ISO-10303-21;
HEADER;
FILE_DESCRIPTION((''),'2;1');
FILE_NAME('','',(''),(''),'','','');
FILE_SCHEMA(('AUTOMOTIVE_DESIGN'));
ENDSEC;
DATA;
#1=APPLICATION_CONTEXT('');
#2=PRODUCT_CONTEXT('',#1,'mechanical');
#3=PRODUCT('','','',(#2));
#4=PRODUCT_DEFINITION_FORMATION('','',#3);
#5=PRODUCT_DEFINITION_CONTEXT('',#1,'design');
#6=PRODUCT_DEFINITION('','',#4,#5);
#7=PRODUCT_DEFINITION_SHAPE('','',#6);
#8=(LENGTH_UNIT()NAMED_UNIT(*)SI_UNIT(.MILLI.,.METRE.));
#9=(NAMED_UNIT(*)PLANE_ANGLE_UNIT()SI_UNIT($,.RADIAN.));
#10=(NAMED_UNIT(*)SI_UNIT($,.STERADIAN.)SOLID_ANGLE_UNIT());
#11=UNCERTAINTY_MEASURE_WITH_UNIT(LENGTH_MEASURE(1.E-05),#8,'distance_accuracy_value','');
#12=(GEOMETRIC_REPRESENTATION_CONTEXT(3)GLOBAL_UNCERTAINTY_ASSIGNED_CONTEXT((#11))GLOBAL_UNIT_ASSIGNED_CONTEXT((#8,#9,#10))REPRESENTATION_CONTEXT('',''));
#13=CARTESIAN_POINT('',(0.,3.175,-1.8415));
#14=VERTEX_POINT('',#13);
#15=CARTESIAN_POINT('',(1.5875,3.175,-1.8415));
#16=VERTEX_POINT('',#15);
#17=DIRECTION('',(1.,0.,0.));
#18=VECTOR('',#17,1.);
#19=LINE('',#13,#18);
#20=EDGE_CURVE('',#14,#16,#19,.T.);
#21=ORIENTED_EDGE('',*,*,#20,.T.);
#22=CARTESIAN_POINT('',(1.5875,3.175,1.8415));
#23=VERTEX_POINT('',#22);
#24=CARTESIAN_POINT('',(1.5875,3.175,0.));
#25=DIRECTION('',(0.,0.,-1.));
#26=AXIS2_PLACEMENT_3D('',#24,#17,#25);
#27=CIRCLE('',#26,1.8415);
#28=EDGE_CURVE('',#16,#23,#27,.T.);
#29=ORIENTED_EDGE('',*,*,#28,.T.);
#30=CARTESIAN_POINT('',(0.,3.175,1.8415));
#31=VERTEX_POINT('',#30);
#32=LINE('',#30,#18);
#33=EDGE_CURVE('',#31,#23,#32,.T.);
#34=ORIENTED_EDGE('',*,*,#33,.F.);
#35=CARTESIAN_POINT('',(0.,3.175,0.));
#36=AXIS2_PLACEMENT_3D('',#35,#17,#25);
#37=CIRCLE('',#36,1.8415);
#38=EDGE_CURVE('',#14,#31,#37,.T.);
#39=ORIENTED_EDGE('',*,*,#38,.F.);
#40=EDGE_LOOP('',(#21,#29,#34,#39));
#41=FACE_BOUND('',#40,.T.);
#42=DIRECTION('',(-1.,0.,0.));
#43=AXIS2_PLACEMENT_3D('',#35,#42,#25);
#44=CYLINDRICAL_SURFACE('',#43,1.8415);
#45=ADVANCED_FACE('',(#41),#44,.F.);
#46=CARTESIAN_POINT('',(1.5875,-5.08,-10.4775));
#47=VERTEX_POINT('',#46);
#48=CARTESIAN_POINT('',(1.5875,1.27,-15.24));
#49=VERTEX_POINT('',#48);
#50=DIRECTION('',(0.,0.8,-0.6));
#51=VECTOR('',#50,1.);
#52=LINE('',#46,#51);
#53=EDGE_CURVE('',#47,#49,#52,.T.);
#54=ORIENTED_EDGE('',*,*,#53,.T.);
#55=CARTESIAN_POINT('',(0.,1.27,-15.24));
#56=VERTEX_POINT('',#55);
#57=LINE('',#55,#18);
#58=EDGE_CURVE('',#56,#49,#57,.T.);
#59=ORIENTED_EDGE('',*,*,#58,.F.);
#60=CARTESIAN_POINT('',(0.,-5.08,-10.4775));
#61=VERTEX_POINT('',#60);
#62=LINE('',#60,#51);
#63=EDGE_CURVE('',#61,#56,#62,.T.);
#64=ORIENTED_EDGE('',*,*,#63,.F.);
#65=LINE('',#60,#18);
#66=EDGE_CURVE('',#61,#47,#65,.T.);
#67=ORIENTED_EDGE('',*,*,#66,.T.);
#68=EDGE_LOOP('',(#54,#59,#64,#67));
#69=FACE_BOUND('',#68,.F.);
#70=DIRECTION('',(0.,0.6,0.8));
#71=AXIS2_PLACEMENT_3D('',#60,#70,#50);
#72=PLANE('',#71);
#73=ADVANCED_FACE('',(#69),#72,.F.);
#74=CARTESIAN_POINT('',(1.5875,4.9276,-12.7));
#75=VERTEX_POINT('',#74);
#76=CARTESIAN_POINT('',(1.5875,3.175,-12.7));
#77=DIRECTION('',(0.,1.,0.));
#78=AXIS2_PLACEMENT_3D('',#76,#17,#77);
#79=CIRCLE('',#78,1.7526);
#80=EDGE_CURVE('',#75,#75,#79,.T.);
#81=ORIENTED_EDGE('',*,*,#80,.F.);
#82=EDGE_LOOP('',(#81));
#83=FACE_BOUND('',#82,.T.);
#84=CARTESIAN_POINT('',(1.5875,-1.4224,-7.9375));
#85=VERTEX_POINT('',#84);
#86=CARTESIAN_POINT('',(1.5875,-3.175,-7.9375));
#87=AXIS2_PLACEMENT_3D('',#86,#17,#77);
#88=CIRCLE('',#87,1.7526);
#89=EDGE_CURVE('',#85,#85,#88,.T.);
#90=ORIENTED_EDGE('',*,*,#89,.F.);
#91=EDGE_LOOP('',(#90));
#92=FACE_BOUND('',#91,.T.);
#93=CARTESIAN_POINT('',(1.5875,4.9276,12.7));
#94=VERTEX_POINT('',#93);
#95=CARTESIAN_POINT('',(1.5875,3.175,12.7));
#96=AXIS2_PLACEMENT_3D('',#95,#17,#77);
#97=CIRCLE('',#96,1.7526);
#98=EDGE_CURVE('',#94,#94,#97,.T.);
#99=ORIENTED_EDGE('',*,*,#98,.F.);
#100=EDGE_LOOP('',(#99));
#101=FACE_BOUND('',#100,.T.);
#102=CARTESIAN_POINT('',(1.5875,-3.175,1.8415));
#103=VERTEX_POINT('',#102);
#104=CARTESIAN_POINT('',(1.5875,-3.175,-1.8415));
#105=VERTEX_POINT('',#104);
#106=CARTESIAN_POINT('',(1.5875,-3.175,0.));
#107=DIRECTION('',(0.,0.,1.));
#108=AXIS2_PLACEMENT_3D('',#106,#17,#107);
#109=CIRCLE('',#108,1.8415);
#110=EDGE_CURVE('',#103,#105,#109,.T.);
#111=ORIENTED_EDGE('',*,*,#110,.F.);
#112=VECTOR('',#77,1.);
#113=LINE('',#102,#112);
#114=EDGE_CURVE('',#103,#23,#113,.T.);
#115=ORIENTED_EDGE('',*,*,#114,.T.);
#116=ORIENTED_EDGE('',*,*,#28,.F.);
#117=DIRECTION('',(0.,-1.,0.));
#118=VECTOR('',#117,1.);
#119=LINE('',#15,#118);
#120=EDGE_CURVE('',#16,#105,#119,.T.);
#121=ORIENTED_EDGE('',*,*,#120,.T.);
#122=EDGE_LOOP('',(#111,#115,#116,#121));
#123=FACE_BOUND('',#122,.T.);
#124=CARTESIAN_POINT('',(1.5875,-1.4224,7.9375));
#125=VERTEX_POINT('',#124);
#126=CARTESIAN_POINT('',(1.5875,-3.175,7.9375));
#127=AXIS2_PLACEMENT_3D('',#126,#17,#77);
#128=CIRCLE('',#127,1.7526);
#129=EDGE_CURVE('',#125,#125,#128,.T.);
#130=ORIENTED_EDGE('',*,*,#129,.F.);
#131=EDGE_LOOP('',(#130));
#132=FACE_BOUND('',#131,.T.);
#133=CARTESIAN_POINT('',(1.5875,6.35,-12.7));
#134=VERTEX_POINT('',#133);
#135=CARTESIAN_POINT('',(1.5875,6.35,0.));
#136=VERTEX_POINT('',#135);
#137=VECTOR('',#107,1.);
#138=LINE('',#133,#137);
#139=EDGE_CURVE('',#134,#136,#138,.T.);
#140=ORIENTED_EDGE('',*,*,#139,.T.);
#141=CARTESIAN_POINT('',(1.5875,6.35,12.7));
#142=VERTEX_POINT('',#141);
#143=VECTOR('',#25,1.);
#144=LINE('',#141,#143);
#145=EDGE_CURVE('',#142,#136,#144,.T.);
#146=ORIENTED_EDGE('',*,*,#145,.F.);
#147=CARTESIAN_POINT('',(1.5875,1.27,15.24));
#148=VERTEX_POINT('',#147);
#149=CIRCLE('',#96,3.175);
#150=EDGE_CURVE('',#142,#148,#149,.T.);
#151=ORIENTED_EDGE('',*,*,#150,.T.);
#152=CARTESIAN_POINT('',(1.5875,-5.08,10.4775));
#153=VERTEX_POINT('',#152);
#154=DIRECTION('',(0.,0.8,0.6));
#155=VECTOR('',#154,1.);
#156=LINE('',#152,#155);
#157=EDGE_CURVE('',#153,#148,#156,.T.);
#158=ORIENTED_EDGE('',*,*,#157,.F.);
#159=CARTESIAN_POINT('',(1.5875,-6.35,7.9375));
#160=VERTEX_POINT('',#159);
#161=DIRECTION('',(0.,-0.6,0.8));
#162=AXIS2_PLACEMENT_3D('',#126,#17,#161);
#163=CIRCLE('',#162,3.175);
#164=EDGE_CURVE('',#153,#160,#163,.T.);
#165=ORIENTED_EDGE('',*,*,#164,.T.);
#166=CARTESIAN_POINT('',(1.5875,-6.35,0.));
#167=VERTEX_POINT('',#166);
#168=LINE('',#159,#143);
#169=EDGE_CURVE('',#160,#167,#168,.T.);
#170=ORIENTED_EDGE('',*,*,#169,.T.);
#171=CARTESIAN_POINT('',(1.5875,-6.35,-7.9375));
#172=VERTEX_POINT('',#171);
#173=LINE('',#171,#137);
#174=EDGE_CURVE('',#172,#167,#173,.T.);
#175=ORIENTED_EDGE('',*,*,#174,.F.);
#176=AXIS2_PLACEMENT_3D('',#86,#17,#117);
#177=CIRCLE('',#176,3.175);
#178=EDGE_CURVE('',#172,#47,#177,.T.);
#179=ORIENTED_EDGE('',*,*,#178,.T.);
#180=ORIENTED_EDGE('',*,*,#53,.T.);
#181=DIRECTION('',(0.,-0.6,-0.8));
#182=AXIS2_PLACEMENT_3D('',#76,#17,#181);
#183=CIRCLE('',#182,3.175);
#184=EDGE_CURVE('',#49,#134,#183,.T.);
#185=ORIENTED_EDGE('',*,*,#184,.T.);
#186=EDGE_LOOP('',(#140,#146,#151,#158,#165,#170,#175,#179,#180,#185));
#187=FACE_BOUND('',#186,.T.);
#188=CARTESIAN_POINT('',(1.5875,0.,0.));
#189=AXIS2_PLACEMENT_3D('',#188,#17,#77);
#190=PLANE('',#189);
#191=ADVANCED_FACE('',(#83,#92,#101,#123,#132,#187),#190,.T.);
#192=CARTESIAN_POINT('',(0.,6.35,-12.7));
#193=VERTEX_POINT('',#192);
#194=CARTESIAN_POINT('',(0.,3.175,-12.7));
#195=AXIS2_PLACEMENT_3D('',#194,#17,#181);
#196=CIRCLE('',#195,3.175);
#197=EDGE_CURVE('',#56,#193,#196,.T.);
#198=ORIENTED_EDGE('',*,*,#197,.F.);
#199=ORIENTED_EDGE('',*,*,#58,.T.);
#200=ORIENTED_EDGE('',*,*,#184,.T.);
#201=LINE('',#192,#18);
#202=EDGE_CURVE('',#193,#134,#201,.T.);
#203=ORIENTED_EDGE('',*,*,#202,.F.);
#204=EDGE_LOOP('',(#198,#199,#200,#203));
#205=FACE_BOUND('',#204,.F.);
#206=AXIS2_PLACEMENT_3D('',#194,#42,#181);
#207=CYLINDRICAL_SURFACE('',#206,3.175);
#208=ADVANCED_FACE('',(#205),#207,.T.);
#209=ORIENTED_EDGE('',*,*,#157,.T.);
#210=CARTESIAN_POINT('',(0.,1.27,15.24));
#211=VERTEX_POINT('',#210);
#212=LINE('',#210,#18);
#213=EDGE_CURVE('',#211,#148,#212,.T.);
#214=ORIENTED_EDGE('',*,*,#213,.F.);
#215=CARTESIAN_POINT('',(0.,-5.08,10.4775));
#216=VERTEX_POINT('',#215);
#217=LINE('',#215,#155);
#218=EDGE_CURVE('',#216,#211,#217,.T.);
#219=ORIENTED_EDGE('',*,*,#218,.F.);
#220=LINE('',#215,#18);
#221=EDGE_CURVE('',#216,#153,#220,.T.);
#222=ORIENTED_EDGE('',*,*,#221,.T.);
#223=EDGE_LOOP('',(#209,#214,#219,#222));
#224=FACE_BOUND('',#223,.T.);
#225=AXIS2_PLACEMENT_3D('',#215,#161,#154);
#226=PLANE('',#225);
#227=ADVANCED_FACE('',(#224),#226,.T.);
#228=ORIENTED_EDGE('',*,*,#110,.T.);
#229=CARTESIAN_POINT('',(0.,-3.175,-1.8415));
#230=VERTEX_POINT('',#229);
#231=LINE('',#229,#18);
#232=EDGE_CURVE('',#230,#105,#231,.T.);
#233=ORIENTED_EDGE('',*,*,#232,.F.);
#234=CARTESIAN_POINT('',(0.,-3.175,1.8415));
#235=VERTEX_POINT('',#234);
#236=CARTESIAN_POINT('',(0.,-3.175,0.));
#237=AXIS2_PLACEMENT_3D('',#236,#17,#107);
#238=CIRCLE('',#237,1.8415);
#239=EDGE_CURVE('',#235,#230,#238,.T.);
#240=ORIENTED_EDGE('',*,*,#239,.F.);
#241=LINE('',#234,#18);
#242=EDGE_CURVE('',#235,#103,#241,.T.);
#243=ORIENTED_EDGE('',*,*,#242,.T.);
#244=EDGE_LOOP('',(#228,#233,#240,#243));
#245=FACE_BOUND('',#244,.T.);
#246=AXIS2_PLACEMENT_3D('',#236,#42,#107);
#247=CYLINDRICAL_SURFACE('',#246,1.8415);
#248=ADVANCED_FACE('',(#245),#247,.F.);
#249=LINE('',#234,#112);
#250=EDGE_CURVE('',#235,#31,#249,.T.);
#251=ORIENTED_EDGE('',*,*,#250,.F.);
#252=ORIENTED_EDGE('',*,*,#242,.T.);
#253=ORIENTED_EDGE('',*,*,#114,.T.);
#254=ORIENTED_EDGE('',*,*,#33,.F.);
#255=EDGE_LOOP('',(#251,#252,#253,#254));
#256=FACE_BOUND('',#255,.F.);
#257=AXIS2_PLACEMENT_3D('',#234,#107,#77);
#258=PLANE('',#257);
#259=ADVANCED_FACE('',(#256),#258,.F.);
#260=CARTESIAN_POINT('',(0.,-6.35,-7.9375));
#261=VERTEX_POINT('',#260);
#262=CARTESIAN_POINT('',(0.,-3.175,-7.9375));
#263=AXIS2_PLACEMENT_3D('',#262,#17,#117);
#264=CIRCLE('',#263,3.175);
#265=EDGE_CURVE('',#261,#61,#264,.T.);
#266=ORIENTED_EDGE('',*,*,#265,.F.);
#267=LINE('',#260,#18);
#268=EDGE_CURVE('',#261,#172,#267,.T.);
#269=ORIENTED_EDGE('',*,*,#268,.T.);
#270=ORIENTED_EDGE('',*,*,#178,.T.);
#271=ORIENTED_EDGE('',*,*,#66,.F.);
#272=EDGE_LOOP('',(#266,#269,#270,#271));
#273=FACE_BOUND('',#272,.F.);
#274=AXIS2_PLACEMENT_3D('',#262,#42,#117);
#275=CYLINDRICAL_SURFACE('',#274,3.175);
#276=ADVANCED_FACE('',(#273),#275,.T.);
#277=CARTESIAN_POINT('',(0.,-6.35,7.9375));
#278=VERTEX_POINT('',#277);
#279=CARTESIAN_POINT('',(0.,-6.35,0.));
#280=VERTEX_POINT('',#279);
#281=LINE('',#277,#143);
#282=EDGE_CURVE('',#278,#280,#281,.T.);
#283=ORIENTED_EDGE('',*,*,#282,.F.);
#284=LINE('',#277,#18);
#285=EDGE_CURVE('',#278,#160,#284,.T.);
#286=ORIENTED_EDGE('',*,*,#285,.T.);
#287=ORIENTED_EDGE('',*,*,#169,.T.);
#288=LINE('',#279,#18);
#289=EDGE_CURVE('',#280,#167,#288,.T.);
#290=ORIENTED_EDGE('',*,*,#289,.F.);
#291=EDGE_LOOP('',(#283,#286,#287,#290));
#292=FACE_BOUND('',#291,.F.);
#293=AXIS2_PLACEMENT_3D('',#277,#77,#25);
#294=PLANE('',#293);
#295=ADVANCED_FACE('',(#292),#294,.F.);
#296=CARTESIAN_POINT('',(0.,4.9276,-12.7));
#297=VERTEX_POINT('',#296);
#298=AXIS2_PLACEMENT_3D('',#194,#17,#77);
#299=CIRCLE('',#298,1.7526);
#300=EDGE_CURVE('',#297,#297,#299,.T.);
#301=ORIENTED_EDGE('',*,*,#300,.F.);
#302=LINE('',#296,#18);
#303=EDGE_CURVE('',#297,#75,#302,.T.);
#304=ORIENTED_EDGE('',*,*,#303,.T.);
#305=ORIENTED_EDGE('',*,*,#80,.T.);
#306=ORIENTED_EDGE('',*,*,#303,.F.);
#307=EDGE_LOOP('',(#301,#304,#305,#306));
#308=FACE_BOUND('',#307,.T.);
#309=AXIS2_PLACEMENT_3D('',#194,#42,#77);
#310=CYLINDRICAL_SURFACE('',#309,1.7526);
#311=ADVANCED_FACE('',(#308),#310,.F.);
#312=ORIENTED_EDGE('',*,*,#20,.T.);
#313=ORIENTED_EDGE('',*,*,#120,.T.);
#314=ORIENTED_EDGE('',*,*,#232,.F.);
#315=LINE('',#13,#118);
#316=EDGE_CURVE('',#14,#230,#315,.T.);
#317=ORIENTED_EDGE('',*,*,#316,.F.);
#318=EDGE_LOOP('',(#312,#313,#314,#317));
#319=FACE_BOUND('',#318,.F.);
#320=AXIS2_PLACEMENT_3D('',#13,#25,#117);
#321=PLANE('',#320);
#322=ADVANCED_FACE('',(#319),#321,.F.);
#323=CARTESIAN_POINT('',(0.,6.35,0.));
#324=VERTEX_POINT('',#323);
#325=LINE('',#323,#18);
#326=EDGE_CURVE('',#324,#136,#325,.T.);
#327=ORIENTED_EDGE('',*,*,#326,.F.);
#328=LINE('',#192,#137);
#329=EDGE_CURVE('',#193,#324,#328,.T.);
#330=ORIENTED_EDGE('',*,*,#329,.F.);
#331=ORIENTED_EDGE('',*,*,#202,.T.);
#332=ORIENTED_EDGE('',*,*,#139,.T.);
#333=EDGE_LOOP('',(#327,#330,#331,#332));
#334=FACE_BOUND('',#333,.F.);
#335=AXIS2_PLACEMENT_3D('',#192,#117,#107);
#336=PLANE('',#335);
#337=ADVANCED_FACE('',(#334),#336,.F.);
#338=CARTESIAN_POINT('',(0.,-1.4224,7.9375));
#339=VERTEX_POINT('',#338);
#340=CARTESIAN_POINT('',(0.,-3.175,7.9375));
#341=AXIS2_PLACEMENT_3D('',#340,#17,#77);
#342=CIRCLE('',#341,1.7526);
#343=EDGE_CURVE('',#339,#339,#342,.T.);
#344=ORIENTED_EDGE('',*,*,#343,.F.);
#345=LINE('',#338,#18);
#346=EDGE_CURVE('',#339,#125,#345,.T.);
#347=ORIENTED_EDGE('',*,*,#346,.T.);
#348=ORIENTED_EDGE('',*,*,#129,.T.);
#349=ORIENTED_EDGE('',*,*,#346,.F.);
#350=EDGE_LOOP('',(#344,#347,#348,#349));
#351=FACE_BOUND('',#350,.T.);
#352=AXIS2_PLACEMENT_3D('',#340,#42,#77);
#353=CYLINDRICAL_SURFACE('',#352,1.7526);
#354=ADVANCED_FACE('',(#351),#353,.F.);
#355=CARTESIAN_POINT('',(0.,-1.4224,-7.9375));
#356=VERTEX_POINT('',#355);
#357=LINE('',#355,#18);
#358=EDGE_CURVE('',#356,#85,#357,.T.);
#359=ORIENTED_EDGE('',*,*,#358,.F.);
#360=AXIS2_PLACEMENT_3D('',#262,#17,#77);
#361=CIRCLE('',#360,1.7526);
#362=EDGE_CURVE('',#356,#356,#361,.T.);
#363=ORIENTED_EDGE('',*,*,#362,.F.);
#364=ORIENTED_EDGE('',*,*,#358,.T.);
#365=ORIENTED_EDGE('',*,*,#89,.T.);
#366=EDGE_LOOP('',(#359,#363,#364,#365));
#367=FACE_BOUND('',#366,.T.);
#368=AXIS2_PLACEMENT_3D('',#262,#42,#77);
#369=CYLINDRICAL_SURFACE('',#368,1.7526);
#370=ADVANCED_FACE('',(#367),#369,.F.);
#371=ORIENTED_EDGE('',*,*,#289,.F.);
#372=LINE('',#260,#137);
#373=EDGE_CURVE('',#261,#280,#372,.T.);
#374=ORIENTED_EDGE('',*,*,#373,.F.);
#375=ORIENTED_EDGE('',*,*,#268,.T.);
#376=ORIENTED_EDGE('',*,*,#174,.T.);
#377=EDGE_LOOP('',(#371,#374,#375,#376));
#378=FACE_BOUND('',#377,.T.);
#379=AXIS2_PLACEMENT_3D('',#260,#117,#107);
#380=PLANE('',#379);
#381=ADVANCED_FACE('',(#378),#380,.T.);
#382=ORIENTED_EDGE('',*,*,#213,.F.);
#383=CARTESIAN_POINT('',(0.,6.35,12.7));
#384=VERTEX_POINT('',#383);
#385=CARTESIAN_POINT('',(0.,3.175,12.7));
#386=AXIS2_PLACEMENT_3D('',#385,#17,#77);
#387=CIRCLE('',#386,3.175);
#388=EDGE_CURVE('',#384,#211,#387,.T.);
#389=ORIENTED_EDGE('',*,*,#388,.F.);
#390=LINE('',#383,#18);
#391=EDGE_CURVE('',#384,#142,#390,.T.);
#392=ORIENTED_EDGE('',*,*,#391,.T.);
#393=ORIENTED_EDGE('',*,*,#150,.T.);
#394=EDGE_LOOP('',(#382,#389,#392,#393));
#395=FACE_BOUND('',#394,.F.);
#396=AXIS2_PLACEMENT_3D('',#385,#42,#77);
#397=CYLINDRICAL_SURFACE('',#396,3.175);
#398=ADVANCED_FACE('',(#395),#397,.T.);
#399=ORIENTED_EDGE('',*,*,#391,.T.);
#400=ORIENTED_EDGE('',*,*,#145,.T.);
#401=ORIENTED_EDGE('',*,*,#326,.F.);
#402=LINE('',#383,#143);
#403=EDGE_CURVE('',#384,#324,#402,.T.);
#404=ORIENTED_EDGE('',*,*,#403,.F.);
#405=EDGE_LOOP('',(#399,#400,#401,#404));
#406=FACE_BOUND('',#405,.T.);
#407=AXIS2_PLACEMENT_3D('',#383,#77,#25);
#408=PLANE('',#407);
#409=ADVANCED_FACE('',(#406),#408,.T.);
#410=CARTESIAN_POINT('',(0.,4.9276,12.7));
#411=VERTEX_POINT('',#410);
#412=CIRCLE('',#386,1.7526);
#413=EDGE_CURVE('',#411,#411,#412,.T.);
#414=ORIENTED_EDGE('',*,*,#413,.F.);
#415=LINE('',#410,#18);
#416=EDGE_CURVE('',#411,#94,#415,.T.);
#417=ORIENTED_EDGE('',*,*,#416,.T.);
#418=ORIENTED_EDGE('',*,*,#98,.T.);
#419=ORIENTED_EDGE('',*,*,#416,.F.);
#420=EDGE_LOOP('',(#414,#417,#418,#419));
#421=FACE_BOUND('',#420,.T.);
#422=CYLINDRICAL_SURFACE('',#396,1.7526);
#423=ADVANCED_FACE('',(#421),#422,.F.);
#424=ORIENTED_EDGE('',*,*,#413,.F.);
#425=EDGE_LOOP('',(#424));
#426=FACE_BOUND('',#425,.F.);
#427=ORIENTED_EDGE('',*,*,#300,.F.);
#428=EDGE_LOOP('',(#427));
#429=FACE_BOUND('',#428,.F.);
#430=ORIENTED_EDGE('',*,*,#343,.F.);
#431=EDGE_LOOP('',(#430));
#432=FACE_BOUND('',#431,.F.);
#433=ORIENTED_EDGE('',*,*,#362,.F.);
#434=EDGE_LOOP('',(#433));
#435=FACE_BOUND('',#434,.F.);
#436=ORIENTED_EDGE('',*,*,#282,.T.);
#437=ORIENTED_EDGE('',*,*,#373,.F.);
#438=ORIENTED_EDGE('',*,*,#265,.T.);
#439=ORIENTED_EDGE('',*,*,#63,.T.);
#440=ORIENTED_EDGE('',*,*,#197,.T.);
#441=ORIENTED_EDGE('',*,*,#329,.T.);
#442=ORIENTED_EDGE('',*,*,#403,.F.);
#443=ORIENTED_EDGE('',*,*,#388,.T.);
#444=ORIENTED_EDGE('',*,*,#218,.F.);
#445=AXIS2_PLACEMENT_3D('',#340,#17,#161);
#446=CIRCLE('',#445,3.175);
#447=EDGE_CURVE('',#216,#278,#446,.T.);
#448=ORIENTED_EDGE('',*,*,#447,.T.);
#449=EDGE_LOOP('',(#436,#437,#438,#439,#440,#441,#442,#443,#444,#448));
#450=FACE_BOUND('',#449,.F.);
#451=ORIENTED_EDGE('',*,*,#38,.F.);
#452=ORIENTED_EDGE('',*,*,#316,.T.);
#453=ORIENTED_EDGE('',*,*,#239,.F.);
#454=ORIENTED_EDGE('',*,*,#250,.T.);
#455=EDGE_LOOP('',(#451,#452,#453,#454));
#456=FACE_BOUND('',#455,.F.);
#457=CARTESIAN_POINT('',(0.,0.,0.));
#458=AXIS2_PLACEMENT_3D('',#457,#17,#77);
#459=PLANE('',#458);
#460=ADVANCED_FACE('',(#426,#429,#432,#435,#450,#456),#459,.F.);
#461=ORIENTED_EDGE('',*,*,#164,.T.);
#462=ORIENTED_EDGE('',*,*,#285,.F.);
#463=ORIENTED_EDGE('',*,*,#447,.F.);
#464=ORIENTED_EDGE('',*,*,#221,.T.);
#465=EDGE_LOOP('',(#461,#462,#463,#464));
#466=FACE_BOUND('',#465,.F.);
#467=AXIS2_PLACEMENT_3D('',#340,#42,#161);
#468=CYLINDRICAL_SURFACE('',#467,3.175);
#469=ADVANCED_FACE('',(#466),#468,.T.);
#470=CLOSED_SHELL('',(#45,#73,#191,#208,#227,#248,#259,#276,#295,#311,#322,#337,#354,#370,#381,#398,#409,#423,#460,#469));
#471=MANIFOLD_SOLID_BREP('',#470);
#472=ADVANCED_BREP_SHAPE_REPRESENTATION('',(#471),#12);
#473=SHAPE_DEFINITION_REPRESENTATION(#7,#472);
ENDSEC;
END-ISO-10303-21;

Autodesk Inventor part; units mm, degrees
ref_plane "YZ Plane" through (0, 0, 0) normal (1, 0, 0) x (0, 1, 0)
ref_plane "XZ Plane" through (0, 0, 0) normal (0, 1, 0) x (-1, 0, 0)
ref_plane "XY Plane" through (0, 0, 0) normal (0, 0, 1) x (1, 0, 0)
sketch "Sketch1" plane through (0, 0, 0) normal (1, 0, 0) x (0, 1, 0)
  line L0 (3.175, 0) -> (-3.175, 0) construction
  line L1 (3.175, 1.5875) -> (-3.175, 1.5875) construction
  line L2 (-3.175, -1.5875) -> (3.175, -1.5875) construction
  arc A0 (3.175, -1.5875) -> (3.175, 1.5875) centre (3.175, 0) ccw construction
  arc A1 (-3.175, 1.5875) -> (-3.175, -1.5875) centre (-3.175, 0) ccw construction
  circle A2 centre (3.175, -12.7) radius 1.7526
  circle A3 centre (-3.175, -7.9375) radius 1.7526
  line L3 (3.175, -1.8415) -> (-3.175, -1.8415)
  arc A4 (-3.175, 1.8415) -> (-3.175, -1.8415) centre (-3.175, 0) ccw
  line L4 (-3.175, 1.8415) -> (3.175, 1.8415)
  arc A5 (3.175, -1.8415) -> (3.175, 1.8415) centre (3.175, 0) ccw
  arc A6 (1.27, -15.24) -> (6.35, -12.7) centre (3.175, -12.7) ccw
  arc A7 (-6.35, -7.9375) -> (-5.08, -10.4775) centre (-3.175, -7.9375) ccw
  line L5 (-5.08, -10.4775) -> (1.27, -15.24)
  line L6 (6.35, -12.7) -> (6.35, 0)
  line L7 (-6.35, -7.9375) -> (-6.35, 0)
  circle A8 centre (3.175, 12.7) radius 1.7526
  circle A9 centre (-3.175, 7.9375) radius 1.7526
  arc A10 (6.35, 12.7) -> (1.27, 15.24) centre (3.175, 12.7) ccw
  arc A11 (-5.08, 10.4775) -> (-6.35, 7.9375) centre (-3.175, 7.9375) ccw
  line L8 (-5.08, 10.4775) -> (1.27, 15.24)
  line L9 (6.35, 12.7) -> (6.35, 0)
  line L10 (-6.35, 7.9375) -> (-6.35, 0)
  point P0 (0, 0)
  dimension "d0" = 3.175
  dimension "d1" = 3.175
  dimension "d4" = 3.5052
  dimension "d5" = 12.7
  dimension "d6" = 3.175
  dimension "d7" = 3.5052
  dimension "d8" = 3.175
  dimension "d9" = 4.7625
  dimension "d10" = 0.254
  dimension "d11" = 6.35
  dimension "d12" = 6.35
extrude "Extrusion1" add sketch "Sketch1" along normal blind 1.5875
equation "\"d8\" = d6"
properties part number "Pin Cap - Slot" material "Aluminum 6061"
